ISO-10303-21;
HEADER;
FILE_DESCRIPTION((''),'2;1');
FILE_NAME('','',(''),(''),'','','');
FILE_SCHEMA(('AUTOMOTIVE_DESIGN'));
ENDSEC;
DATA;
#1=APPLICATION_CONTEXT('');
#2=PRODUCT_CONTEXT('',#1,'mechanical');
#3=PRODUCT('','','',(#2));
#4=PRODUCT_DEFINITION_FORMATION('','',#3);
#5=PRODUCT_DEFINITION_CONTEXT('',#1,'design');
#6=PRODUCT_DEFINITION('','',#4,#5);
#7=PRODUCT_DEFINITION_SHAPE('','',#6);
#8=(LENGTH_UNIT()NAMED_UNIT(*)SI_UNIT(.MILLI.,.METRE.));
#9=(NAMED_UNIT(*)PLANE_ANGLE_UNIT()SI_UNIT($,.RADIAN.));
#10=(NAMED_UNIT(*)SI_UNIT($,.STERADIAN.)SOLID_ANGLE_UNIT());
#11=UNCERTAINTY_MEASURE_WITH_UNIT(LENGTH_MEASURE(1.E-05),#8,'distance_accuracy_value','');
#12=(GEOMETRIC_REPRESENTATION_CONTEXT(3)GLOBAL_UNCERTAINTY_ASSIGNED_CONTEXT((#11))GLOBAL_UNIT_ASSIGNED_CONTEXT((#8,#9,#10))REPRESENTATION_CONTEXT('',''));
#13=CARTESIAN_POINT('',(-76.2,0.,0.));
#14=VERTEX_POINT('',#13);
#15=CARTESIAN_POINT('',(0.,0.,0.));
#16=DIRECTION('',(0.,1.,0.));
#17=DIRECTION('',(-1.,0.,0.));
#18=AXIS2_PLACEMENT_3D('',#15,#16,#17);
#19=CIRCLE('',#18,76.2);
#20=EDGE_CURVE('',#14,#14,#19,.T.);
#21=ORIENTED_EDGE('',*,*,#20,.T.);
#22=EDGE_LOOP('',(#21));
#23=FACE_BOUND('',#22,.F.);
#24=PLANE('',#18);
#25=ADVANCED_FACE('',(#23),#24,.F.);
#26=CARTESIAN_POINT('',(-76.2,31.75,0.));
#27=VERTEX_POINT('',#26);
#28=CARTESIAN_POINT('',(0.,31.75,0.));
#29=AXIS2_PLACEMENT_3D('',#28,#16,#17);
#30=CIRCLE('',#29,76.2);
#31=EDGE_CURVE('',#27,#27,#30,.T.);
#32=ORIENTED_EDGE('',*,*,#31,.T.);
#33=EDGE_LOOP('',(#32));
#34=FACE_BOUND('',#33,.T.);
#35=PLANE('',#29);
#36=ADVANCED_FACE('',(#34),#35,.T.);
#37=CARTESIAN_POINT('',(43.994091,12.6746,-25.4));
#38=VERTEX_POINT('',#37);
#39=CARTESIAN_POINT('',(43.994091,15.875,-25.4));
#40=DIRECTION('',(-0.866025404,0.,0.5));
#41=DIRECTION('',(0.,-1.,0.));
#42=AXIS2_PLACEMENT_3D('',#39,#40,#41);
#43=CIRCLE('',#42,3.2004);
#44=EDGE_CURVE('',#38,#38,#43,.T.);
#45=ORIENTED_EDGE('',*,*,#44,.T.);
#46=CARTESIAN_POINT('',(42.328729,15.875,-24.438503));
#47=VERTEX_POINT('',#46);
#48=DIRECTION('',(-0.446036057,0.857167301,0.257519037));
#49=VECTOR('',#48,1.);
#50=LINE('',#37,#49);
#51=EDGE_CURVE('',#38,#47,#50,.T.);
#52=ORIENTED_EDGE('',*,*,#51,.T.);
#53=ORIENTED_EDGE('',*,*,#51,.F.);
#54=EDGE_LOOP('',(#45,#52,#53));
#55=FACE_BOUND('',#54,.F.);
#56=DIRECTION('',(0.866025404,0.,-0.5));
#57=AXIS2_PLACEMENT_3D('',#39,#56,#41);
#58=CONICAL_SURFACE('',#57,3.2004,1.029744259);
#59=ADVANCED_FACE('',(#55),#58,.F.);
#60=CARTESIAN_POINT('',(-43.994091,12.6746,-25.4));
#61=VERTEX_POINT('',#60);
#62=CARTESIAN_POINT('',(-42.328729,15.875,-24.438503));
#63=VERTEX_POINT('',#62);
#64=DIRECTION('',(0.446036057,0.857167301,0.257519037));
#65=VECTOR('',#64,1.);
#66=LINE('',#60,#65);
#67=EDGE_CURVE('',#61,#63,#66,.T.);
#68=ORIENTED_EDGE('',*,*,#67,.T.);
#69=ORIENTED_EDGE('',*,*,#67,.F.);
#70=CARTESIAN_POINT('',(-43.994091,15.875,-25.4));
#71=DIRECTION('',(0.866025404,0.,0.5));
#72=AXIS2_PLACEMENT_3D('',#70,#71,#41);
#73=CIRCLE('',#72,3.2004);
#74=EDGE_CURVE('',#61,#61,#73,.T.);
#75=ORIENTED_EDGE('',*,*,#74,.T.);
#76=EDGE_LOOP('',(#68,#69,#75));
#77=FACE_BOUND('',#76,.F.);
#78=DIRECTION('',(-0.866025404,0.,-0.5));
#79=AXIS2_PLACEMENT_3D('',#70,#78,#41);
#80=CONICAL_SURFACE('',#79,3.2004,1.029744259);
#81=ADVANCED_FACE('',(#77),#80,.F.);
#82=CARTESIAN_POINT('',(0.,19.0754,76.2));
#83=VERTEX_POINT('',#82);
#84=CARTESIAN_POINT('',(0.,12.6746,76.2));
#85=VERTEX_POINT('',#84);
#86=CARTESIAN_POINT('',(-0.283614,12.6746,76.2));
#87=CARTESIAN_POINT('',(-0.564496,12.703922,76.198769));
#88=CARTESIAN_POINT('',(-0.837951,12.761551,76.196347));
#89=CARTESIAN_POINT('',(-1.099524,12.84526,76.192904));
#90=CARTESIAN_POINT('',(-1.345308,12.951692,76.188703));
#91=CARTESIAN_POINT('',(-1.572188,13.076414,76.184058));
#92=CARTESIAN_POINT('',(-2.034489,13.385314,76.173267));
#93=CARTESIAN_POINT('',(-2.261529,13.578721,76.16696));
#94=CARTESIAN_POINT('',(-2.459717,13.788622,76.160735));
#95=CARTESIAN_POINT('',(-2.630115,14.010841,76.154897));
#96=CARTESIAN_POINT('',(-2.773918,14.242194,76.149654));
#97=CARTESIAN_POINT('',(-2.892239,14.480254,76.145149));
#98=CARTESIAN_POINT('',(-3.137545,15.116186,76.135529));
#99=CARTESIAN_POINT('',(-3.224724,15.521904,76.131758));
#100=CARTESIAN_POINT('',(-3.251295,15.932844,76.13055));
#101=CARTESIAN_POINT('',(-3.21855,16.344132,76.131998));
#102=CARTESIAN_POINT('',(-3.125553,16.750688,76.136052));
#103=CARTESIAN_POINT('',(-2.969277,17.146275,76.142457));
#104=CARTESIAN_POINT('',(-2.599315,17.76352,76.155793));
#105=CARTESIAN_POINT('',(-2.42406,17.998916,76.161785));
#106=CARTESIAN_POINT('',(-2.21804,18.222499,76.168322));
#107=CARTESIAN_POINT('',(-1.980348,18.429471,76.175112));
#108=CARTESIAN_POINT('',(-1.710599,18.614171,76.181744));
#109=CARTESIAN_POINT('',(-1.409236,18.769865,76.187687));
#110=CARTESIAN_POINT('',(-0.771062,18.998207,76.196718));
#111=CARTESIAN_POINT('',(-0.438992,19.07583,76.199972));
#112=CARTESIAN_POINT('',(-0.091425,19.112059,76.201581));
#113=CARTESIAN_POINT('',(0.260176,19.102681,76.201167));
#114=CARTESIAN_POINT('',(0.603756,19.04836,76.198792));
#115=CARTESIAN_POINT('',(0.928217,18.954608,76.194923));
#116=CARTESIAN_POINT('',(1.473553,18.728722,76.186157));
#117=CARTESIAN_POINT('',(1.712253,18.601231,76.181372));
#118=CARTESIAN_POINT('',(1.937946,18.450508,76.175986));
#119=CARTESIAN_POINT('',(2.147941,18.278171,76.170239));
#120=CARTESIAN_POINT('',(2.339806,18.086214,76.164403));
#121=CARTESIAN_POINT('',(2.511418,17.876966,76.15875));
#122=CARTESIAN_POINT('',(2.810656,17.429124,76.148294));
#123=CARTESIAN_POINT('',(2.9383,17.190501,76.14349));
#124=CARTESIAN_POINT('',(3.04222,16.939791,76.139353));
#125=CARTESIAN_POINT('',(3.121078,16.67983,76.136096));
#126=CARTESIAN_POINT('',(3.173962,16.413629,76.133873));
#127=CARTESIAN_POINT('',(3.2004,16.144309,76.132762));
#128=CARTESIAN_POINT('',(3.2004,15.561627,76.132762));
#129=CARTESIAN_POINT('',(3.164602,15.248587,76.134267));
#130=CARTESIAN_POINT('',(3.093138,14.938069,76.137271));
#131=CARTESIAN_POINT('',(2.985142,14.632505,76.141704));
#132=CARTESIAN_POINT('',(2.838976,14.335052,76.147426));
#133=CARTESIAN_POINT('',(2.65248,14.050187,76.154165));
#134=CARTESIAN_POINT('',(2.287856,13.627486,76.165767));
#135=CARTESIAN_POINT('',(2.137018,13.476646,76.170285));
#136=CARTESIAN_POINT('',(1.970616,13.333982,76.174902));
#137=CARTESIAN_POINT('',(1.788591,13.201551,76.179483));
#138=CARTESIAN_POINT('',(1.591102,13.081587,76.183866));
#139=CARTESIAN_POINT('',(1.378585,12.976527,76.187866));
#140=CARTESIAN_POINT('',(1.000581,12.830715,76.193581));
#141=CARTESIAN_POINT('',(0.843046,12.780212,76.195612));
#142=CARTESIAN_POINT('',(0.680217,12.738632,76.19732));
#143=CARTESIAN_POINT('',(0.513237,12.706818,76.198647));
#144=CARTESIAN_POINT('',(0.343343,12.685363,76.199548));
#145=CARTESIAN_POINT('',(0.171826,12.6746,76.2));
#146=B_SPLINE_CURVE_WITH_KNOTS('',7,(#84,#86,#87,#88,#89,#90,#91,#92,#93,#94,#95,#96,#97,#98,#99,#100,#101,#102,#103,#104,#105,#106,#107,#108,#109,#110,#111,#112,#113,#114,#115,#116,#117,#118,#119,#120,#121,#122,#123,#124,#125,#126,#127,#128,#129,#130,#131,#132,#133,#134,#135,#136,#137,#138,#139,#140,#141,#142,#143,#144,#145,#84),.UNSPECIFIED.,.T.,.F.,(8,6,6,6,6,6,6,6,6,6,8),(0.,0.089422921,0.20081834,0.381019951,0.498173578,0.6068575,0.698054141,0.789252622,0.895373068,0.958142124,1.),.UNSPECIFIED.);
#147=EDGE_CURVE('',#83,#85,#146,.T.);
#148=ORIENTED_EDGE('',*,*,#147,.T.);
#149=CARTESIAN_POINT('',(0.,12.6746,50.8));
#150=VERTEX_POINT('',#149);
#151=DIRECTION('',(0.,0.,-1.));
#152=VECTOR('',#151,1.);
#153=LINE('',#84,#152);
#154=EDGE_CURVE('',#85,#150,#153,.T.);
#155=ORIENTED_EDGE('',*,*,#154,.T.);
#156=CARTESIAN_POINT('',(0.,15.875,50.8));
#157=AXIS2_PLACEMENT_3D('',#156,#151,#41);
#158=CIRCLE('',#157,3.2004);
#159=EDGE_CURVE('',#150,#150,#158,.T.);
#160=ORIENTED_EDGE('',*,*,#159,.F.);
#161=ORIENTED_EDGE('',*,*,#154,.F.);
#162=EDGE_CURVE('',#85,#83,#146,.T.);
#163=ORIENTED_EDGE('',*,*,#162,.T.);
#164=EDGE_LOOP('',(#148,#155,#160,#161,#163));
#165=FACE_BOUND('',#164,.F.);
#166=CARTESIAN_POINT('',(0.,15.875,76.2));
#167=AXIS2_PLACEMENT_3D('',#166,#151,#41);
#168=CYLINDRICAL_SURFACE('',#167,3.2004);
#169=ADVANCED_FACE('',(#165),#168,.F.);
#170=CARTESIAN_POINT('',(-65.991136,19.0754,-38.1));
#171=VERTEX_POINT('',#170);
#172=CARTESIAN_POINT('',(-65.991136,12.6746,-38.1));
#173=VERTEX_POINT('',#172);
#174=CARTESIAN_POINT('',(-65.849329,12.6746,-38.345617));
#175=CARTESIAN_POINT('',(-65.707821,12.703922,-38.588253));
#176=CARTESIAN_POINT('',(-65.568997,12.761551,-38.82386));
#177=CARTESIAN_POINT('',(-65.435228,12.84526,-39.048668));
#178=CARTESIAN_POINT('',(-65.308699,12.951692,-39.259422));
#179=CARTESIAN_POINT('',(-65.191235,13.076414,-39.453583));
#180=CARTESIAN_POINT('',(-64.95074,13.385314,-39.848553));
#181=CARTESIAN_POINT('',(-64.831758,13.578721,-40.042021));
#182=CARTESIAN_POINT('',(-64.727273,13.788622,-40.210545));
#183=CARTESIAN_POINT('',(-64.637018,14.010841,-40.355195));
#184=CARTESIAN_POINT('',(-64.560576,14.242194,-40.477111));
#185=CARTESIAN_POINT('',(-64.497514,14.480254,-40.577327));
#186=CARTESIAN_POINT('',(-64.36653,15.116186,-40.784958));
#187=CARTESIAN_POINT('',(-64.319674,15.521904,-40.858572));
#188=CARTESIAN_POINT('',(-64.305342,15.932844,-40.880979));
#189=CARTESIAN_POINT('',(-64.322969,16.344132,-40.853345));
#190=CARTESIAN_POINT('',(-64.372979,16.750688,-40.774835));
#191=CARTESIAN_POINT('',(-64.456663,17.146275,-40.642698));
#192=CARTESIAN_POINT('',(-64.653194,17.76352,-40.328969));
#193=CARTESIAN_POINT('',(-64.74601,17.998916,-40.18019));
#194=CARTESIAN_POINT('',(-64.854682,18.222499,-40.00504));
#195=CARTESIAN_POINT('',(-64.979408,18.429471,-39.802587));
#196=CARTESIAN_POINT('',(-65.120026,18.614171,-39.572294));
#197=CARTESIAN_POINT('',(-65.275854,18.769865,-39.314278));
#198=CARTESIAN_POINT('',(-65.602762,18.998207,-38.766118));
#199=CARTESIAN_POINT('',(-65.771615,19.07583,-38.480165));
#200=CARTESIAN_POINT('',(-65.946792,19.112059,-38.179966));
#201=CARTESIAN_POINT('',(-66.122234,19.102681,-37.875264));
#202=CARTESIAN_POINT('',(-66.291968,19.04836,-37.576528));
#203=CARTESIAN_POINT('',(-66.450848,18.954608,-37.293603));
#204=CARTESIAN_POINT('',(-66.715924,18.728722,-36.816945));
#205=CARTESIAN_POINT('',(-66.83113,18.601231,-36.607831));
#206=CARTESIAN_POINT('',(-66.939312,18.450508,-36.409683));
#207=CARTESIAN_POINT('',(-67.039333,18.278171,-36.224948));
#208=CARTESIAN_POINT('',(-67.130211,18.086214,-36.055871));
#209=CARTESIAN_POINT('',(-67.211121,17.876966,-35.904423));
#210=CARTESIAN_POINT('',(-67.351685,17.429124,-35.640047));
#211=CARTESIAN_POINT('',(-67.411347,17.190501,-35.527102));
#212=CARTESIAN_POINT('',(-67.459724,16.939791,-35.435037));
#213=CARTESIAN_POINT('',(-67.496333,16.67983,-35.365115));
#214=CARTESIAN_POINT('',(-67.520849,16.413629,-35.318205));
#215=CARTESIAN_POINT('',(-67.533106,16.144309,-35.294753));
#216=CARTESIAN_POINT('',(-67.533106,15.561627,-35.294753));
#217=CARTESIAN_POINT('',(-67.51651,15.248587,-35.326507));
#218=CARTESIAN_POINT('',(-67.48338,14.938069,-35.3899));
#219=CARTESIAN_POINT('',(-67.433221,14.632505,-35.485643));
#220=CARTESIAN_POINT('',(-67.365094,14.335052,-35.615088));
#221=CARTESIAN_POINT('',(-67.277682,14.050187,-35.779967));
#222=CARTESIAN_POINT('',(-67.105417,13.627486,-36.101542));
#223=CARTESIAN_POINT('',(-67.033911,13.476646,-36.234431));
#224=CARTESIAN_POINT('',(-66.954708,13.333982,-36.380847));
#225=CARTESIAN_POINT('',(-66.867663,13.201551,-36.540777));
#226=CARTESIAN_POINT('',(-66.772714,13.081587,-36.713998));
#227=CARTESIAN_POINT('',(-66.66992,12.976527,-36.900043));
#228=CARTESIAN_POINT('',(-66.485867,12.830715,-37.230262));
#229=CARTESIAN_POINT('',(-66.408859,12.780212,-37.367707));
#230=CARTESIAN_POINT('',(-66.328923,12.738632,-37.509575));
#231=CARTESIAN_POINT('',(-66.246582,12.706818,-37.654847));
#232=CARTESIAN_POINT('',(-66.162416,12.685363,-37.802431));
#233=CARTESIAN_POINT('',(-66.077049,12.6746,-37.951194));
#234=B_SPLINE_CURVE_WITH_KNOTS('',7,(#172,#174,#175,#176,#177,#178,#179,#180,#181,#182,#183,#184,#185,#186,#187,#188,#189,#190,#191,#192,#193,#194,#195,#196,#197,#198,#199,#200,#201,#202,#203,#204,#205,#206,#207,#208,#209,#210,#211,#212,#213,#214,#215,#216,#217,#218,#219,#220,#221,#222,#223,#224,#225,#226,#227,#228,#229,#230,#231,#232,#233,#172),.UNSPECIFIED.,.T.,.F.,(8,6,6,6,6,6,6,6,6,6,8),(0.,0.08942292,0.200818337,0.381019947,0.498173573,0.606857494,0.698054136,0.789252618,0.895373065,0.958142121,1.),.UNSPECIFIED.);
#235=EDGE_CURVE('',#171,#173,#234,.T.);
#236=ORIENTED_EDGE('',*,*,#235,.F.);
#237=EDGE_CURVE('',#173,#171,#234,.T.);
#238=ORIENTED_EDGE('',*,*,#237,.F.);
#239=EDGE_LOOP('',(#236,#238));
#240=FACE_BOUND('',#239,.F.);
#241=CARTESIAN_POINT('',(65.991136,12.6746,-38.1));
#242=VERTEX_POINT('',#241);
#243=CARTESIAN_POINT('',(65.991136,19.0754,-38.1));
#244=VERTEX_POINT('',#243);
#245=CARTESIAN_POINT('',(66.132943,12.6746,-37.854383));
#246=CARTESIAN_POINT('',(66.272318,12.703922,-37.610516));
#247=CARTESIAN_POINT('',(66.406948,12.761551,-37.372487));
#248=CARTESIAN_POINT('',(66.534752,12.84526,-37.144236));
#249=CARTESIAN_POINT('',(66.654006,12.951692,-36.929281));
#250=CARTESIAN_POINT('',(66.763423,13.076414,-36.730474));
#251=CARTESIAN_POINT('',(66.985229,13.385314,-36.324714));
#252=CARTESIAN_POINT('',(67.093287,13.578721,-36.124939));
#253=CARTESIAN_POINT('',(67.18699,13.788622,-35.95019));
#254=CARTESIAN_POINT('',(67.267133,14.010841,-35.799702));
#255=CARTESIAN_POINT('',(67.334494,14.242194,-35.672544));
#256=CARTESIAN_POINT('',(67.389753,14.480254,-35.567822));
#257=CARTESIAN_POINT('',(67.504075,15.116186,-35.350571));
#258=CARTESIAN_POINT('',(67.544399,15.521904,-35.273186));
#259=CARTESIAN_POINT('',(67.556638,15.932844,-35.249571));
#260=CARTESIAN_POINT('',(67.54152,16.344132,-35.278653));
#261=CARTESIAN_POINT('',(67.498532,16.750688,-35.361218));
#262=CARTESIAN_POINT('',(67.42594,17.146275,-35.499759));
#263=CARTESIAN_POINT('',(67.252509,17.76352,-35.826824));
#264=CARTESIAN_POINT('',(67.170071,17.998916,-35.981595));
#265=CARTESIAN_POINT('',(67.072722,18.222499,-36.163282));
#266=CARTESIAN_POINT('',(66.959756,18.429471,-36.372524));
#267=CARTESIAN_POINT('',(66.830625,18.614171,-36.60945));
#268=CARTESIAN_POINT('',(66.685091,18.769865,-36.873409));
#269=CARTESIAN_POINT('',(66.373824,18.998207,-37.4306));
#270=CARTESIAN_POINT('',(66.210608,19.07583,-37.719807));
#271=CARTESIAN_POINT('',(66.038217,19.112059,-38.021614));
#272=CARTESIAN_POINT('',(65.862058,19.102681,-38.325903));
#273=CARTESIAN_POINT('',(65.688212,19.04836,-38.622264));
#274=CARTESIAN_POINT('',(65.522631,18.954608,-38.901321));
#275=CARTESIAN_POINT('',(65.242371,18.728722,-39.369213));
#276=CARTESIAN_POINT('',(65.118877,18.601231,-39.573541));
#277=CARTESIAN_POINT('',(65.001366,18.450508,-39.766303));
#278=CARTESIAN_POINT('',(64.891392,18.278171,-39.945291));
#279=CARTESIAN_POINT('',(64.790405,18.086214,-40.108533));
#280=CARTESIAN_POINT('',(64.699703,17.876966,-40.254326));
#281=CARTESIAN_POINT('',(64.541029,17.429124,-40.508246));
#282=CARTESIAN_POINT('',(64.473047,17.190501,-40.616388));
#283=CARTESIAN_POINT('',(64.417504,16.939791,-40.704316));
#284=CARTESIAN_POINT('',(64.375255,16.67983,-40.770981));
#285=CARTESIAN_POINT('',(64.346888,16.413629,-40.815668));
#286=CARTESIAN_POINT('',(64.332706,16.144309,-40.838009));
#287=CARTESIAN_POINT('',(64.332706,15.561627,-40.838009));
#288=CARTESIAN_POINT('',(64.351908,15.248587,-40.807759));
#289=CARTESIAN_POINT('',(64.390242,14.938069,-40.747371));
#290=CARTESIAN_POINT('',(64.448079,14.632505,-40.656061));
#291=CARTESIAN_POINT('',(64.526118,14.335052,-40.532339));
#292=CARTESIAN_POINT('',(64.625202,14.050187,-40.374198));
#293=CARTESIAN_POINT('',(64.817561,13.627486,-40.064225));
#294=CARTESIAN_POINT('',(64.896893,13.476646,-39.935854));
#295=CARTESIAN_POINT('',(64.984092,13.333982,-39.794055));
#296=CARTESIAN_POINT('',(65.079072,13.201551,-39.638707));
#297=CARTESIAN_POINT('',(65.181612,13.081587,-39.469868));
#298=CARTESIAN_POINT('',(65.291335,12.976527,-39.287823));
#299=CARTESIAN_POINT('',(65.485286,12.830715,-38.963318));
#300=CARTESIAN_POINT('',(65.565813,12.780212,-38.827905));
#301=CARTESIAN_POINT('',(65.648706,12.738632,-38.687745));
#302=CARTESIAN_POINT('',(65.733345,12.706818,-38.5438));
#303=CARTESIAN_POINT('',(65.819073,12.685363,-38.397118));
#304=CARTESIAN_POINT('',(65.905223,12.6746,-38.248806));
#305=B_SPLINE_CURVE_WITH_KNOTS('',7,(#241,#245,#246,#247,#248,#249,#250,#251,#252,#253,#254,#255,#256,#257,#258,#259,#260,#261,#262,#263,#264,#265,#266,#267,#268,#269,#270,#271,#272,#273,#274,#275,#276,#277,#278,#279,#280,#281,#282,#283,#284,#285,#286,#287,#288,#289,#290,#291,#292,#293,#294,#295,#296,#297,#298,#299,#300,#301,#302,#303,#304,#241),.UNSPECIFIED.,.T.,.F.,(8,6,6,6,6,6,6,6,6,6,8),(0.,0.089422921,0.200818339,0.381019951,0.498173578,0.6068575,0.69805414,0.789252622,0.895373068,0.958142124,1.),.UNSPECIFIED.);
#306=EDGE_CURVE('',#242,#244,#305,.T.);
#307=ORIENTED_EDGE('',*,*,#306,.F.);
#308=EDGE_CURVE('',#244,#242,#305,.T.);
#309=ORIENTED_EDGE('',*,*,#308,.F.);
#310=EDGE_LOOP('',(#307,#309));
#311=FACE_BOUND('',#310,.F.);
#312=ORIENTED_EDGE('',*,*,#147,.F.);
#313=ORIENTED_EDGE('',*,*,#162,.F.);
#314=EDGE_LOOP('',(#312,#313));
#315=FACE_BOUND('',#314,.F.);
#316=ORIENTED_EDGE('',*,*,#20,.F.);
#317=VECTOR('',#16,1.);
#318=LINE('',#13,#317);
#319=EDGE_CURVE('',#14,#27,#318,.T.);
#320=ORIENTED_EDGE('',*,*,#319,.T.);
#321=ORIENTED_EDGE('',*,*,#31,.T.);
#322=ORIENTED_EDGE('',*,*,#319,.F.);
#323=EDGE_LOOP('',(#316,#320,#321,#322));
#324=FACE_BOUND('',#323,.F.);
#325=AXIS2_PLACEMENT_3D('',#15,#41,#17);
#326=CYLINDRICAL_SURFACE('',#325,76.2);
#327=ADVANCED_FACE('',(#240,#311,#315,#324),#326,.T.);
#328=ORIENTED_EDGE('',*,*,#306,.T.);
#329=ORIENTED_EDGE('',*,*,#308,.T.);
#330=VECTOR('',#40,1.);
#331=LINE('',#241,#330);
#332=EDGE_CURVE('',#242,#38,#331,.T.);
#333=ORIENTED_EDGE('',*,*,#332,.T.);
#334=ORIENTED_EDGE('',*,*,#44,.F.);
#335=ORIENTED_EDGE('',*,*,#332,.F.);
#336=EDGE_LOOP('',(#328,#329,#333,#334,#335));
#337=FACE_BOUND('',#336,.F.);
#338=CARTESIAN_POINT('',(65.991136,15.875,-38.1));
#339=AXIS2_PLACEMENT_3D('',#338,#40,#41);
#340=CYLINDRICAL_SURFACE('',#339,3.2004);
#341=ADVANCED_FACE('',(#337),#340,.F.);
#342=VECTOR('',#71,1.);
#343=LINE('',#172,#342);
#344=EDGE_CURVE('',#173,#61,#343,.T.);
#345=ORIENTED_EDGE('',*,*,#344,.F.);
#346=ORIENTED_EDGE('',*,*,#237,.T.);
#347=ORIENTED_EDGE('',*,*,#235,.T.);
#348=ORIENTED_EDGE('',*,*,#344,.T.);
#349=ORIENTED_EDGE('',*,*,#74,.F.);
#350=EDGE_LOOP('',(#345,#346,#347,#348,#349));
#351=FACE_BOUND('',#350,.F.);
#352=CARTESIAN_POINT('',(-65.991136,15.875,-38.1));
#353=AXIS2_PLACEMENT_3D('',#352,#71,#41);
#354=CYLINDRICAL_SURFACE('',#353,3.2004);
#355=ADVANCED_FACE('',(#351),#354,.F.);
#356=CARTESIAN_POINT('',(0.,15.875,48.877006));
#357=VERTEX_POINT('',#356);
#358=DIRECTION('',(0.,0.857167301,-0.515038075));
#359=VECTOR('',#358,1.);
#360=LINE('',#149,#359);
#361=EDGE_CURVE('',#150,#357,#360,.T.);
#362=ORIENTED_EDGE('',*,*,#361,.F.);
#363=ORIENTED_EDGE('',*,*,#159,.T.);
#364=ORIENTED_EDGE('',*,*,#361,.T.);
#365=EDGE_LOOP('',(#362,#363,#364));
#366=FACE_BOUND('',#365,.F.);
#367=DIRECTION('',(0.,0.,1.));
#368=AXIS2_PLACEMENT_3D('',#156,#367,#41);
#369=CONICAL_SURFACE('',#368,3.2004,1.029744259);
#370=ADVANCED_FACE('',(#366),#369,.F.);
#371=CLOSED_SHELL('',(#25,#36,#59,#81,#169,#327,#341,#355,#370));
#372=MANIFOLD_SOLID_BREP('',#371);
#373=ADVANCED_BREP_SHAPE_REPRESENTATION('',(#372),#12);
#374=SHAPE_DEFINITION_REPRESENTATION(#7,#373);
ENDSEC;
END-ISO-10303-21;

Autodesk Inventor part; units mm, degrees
ref_plane "YZ Plane" through (0, 0, 0) normal (1, 0, 0) x (0, 1, 0)
ref_plane "XZ Plane" through (0, 0, 0) normal (0, 1, 0) x (-1, 0, 0)
sketch "Sketch1" plane through (0, 0, 0) normal (0, 1, 0) x (-1, 0, 0)
  circle A0 centre (0, 0) radius 76.2
  dimension "d0" = 152.4
extrude "Extrusion1" add sketch "Sketch1" along normal blind 31.75
ref_plane "Work Plane1" through (0, 0, 76.2) normal (0, 0, 1) x (1, 0, 0)
sketch "Sketch2" plane through (0, 0, 76.2) normal (0, 0, 1) x (1, 0, 0)
  point P0 (0, 0)
  point P1 (0, 15.875)
  dimension "d4" = 15.875
hole "Hole1" at (0, 15.875, 76.2) direction (0, 0, -1) diameter 6.4008 depth 25.4 tip angle 118 thread size "5/16-18 UNC" class "2B" standard "ANSI Unified Screw Threads"
pattern_circular "Circular Pattern1" count 3 over 360 about axis through (0, 31.75, 0) along (0, 1, 0) of "Hole1"
properties part number "Heat-Sink"
